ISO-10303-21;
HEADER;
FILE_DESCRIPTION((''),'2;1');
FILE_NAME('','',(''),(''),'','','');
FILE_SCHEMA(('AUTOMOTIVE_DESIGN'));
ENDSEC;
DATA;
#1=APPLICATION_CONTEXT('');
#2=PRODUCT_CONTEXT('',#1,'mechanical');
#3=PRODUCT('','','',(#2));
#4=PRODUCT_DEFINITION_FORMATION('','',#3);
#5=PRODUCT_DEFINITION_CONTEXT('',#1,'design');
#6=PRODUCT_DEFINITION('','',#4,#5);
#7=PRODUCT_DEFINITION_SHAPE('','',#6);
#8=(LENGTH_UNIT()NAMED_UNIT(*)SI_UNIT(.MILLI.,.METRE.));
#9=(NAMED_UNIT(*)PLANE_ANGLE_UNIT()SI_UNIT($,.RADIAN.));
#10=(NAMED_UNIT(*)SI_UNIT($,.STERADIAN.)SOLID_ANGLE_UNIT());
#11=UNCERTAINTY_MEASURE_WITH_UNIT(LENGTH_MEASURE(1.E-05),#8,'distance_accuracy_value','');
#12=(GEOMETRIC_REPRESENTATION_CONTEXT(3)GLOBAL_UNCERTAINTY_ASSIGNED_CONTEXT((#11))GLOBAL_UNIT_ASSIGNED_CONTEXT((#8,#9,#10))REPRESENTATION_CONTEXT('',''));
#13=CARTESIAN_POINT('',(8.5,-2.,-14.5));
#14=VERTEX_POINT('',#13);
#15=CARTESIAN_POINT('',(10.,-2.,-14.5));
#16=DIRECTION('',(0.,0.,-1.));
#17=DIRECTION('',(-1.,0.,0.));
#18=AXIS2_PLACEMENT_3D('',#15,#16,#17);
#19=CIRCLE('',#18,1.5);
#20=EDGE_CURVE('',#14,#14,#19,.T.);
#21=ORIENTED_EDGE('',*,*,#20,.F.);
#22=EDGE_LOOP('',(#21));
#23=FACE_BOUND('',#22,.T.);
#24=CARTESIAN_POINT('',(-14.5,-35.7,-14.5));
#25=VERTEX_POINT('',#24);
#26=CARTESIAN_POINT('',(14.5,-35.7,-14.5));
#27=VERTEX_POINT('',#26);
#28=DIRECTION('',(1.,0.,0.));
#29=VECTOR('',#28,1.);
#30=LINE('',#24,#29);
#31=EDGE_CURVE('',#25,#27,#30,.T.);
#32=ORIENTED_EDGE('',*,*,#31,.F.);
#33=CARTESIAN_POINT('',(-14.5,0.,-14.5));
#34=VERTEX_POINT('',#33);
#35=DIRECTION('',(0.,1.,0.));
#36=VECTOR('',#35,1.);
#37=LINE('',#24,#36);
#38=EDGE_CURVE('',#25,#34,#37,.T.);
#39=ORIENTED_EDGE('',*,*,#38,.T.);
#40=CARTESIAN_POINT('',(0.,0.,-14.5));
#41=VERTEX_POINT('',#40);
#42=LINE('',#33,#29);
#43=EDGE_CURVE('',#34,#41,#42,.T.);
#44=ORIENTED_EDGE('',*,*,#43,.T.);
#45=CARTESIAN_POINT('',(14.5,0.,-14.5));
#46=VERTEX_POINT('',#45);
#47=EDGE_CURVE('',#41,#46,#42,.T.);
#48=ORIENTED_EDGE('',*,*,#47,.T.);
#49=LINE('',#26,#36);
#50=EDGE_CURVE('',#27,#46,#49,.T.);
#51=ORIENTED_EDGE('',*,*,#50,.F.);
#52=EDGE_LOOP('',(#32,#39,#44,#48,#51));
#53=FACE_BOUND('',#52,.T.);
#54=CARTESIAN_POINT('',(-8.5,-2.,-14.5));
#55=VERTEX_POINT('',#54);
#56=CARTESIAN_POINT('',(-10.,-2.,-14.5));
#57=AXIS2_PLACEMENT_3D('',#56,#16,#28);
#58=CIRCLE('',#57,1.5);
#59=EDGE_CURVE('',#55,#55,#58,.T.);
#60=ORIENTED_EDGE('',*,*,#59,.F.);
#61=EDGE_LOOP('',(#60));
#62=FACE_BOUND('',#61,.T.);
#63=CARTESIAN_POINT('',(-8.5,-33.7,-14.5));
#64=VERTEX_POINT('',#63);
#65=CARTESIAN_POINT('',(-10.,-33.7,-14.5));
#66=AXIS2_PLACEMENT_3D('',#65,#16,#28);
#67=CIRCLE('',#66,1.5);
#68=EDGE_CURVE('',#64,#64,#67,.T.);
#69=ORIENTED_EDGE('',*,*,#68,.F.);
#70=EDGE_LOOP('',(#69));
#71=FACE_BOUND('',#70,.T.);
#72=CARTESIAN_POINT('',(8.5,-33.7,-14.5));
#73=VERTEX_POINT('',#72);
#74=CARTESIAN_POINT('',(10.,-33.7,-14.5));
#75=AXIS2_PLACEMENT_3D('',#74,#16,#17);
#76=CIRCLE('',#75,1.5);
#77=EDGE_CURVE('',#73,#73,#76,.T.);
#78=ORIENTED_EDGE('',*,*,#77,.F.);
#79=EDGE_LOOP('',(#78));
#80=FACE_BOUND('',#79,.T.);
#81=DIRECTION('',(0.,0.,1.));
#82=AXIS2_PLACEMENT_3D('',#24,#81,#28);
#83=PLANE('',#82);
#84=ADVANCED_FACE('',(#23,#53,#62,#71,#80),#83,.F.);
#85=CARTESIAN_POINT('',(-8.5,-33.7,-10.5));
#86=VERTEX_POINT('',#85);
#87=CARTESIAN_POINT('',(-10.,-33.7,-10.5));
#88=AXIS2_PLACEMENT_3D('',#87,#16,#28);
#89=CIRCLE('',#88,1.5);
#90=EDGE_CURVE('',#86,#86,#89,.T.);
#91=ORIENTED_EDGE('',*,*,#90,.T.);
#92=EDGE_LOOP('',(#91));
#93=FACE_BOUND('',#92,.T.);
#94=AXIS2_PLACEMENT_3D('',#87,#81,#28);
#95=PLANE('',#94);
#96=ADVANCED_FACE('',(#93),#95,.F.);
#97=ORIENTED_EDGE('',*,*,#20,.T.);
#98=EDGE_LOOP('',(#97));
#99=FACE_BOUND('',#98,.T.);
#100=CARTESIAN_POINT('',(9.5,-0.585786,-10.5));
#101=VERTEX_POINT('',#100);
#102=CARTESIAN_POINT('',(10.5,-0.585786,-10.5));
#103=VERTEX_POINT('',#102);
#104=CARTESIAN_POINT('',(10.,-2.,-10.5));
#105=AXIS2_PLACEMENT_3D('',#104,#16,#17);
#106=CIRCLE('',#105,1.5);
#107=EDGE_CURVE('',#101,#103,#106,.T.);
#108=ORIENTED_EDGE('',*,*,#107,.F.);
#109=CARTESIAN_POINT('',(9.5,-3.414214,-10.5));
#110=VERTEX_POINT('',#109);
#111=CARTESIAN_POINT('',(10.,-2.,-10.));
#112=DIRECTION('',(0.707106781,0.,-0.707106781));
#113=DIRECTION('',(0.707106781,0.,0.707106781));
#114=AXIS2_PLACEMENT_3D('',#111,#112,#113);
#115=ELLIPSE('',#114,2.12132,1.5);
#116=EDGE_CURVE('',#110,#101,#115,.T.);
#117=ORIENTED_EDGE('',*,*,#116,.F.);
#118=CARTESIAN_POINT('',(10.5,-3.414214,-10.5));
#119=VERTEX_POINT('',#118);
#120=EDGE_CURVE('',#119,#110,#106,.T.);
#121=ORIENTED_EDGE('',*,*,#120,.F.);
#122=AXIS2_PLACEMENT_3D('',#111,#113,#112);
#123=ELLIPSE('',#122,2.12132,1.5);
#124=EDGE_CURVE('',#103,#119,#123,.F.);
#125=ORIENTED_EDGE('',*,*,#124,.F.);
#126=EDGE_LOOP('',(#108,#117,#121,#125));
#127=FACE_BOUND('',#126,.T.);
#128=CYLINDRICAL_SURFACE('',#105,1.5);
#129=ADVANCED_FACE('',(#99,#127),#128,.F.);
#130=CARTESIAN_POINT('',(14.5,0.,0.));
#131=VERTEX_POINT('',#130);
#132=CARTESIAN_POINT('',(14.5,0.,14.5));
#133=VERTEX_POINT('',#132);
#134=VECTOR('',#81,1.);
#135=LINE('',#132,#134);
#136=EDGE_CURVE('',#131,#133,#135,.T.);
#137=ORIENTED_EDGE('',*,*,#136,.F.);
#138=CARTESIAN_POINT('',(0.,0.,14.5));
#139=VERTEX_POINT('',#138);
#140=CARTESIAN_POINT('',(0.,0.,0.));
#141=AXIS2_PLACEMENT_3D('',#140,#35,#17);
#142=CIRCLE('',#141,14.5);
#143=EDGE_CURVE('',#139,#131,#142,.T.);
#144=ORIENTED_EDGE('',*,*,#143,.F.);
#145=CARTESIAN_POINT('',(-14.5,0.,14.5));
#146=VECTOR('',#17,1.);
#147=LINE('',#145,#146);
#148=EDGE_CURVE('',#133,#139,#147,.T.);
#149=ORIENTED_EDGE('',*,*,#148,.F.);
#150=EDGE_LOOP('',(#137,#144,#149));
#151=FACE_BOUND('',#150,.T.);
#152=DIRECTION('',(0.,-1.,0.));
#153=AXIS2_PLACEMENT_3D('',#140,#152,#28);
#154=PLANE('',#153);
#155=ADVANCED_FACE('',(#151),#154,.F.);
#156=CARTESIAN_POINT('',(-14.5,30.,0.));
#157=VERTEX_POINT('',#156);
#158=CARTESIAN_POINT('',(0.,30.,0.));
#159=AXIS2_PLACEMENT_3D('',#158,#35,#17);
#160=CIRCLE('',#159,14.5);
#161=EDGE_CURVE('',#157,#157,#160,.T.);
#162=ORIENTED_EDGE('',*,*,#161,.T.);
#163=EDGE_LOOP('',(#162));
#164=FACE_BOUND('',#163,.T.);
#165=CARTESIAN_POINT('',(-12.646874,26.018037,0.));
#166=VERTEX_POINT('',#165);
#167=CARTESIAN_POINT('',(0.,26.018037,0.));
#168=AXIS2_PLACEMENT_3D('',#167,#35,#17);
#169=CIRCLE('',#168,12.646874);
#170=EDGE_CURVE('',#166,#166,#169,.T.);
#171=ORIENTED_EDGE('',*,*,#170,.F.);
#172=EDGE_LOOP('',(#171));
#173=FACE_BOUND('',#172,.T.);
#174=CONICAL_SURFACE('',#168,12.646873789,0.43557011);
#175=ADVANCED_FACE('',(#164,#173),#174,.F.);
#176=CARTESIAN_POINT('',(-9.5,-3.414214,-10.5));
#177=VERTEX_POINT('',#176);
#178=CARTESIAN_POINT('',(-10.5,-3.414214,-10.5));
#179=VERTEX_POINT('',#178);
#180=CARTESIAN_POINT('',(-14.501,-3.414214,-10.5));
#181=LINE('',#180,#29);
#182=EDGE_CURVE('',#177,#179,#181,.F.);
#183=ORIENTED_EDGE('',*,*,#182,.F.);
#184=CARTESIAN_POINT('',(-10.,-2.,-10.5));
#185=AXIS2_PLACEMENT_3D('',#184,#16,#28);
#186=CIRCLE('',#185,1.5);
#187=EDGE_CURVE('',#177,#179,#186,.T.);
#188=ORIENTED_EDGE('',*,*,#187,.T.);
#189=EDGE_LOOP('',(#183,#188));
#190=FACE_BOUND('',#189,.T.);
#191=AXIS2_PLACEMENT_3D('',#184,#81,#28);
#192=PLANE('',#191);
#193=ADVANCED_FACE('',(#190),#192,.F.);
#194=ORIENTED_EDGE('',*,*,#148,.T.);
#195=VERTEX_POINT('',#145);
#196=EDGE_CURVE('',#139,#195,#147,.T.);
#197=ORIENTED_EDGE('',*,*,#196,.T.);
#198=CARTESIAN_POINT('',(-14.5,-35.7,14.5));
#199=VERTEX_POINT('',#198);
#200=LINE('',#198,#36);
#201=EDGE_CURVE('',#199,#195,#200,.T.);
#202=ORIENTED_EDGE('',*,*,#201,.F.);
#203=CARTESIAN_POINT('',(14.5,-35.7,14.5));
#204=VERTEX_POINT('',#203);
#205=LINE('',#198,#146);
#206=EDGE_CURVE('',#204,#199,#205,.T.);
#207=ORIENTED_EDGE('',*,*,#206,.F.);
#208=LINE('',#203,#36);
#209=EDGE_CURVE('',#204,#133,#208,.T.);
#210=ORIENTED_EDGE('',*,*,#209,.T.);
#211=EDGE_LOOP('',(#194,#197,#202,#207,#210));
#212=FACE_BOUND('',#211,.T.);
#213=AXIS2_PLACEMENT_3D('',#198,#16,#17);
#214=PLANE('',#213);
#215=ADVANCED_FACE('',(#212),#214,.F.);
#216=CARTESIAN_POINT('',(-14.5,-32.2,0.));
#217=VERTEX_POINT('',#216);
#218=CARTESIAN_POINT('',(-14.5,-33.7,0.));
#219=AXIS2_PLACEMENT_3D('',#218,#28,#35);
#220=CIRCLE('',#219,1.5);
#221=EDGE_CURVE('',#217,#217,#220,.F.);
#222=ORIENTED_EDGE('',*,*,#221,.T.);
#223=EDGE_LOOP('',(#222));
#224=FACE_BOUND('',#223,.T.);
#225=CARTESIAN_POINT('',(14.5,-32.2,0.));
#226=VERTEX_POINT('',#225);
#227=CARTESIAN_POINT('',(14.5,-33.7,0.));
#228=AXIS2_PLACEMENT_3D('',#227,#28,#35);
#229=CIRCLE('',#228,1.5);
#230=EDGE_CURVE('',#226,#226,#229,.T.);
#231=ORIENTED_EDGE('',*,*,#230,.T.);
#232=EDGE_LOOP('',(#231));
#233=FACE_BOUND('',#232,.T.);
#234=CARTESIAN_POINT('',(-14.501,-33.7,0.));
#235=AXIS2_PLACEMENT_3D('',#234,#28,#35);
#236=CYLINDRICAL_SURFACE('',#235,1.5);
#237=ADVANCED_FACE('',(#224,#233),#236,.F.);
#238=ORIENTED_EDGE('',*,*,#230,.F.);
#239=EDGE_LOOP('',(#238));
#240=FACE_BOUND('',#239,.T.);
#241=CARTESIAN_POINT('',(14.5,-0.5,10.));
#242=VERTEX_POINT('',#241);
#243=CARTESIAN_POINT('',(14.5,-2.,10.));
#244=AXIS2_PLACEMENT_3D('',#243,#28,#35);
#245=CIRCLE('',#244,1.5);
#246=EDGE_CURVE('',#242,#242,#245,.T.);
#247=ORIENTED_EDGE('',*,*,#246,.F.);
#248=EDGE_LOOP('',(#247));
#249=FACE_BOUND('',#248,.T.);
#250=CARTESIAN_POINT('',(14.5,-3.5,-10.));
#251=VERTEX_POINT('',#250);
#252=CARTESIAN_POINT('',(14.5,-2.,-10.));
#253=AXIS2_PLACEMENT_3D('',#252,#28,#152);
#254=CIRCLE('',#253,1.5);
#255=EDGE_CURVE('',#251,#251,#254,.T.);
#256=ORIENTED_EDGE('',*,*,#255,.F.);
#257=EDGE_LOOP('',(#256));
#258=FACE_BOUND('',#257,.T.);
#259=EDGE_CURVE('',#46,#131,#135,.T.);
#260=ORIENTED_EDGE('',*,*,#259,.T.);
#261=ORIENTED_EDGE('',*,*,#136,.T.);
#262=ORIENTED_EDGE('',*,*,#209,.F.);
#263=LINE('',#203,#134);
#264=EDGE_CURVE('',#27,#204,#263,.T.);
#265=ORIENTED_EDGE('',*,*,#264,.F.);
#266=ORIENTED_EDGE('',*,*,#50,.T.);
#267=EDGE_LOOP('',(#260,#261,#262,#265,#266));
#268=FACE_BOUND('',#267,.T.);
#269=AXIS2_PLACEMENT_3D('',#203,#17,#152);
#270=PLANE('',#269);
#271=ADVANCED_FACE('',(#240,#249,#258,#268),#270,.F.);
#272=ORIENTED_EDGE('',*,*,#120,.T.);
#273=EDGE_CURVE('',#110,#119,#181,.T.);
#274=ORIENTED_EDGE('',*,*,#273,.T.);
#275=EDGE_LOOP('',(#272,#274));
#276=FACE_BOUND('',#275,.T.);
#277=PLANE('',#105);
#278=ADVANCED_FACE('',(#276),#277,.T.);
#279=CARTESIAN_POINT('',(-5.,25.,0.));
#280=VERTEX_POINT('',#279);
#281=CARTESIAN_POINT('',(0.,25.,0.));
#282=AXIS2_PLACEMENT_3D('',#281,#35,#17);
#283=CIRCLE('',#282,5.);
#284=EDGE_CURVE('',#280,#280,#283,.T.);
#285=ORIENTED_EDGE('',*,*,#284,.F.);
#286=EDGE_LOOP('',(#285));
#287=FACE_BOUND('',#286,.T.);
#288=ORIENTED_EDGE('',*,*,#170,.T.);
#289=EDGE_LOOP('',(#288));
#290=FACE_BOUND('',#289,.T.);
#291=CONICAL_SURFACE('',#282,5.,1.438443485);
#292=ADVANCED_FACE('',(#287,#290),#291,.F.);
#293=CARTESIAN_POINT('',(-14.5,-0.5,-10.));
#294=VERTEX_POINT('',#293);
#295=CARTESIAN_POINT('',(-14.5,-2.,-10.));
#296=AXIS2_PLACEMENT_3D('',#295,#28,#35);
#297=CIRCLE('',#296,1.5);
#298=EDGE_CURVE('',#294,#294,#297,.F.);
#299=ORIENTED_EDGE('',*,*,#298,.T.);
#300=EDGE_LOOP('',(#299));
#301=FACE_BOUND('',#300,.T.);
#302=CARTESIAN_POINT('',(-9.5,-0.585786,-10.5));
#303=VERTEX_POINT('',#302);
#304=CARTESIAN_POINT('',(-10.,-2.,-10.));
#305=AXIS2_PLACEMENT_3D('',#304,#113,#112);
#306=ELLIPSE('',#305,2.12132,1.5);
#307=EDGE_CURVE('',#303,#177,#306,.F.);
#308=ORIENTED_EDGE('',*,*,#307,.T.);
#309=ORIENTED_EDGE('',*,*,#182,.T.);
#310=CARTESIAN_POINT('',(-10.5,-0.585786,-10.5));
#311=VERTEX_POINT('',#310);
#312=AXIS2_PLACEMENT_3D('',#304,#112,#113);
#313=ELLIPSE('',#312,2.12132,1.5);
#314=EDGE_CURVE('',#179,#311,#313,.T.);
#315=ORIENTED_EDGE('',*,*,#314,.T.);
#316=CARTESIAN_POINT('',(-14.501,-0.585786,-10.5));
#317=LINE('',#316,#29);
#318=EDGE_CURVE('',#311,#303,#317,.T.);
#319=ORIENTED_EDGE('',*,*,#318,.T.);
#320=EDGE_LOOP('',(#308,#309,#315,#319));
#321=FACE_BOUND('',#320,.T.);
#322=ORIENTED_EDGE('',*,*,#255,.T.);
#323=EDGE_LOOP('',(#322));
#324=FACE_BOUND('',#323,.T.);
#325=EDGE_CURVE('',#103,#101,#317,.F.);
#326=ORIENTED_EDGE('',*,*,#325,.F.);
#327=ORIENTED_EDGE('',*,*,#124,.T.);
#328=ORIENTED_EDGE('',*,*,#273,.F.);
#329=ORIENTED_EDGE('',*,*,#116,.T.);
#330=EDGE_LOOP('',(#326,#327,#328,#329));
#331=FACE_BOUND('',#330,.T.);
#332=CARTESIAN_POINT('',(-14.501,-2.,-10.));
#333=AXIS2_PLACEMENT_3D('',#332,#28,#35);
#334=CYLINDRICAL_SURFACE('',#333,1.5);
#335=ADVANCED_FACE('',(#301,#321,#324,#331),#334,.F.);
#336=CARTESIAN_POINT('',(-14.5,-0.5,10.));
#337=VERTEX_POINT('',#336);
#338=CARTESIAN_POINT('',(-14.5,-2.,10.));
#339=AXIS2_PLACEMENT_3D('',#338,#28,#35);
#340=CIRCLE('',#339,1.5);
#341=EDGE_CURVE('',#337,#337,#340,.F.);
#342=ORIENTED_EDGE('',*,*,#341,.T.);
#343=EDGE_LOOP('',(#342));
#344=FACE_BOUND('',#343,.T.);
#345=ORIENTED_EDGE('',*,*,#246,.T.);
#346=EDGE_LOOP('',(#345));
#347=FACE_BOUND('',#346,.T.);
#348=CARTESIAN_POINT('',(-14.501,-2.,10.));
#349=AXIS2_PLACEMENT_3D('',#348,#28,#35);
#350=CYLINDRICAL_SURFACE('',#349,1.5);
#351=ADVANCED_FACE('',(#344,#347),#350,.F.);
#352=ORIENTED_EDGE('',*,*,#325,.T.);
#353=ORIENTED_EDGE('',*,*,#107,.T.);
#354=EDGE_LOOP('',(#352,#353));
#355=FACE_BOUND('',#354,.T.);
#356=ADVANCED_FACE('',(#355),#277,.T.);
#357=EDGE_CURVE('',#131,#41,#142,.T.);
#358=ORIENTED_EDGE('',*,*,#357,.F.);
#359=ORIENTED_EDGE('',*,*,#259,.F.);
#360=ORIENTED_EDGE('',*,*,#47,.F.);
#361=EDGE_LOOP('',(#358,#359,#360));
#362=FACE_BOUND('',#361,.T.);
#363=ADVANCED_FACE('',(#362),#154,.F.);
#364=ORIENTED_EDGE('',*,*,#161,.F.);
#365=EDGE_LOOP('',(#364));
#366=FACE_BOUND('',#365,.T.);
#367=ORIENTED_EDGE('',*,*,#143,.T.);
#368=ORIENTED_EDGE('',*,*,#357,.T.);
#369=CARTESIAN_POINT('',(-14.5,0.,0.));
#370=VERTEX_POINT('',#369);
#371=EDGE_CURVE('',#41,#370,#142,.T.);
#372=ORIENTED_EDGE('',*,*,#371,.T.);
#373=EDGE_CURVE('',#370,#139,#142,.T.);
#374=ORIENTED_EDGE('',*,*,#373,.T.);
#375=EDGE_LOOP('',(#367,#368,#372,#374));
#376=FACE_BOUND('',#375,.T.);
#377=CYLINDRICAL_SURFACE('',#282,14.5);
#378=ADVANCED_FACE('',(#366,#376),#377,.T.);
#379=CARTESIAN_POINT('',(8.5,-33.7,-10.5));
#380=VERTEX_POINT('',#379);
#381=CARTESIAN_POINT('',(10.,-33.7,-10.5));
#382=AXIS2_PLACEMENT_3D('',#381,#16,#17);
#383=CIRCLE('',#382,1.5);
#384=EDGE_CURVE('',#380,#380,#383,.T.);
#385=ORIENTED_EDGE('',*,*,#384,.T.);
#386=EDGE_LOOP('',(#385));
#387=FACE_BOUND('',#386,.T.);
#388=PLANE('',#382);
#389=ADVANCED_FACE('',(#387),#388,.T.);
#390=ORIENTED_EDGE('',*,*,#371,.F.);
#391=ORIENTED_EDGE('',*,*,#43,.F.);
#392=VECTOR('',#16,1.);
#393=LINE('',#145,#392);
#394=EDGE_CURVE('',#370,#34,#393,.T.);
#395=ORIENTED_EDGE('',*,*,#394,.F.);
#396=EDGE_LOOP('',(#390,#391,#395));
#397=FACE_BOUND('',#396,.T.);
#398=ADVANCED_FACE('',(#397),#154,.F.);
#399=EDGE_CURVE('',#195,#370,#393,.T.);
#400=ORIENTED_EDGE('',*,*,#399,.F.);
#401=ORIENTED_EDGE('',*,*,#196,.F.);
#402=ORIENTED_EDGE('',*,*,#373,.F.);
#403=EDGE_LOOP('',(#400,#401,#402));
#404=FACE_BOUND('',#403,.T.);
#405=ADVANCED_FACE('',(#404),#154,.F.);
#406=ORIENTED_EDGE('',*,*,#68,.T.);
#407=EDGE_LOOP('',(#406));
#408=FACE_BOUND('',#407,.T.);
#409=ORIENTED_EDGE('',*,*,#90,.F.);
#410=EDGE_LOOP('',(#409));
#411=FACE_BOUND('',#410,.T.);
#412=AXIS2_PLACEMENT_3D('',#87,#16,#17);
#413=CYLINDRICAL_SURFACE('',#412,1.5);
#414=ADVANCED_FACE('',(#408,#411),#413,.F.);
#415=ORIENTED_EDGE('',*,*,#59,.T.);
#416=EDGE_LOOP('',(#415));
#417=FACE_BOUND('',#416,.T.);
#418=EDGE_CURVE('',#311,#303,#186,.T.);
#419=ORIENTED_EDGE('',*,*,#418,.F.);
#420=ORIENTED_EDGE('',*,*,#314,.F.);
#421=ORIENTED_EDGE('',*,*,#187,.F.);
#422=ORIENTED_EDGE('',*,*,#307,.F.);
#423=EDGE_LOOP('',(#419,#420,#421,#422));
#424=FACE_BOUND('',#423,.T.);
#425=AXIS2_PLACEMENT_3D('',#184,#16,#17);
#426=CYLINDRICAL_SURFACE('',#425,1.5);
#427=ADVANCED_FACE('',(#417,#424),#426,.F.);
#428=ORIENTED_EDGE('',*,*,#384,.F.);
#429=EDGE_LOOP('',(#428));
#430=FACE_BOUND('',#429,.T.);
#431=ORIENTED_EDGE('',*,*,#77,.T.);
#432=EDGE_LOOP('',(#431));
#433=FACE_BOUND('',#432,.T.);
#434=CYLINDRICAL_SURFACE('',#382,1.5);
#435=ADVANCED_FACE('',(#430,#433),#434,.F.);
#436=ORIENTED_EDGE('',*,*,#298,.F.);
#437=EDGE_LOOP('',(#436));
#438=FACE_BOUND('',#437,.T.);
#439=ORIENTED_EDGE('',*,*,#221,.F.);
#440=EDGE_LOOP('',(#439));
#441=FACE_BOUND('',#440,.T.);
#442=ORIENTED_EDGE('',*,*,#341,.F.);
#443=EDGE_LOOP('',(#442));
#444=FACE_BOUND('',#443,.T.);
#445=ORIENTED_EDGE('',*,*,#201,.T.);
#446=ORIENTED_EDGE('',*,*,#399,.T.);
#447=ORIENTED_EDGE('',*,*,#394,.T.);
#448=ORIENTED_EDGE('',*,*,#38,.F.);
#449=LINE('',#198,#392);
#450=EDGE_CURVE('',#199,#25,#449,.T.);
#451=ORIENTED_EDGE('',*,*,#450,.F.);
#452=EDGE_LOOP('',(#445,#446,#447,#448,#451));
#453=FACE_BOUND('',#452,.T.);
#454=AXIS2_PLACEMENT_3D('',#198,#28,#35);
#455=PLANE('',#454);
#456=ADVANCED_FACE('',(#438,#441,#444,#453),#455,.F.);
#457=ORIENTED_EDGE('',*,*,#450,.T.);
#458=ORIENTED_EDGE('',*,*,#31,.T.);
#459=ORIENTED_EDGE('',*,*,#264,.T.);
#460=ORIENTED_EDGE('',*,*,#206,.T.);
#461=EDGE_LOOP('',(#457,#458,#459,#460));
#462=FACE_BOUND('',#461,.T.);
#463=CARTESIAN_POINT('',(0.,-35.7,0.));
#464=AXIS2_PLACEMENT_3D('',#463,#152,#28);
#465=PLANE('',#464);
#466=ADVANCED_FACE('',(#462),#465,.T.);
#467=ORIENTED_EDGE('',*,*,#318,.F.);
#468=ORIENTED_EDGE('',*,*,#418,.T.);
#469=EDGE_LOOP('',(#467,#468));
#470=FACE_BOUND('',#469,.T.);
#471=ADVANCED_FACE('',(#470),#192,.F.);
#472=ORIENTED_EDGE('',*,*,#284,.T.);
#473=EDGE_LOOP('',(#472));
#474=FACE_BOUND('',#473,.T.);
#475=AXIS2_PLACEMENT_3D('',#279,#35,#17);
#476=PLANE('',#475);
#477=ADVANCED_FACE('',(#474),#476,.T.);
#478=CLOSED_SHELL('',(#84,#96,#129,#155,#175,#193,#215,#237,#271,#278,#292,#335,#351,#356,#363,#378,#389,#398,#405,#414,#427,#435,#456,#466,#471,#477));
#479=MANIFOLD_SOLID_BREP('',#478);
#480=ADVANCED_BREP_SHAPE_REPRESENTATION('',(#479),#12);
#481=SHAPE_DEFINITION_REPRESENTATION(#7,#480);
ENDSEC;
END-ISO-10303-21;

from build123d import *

# Parameters (mm, degrees)
SKETCH_2_W          = 29
SKETCH_2_H          = 29
EXTRUDE_1_DEPTH     = 35.7
SKETCH_3_R          = 1.5
CUT_EXTRUDE_1_DEPTH = 4
CUT_EXTRUDE_2_REACH = 50.226
SKETCH_4_R          = 1.5


with BuildPart() as part:
    # 草图1 → 旋转1 (revolve)
    with BuildSketch(Plane.XY):
        Polygon((0, 0), (-14.5, 0), (-14.5, 30), (-12.646873789, 26.018036841), (-5, 25), (0, 25), align=None)
    revolve(axis=Axis((0, 25, 0), (0, -1, 0)))

    # 草图2 → 凸台-拉伸1 (add)
    with BuildSketch(Plane.XZ):
        Rectangle(SKETCH_2_W, SKETCH_2_H)
    extrude(amount=EXTRUDE_1_DEPTH)

    # 草图3 → 切除-拉伸1 (cut)
    with BuildSketch(Plane(origin=(0, 0, -14.5), x_dir=(-1, 0, 0), z_dir=(0, 0, -1))):
        with Locations((-10, -2)):
            Circle(SKETCH_3_R)
        with Locations((-10, -33.7)):
            Circle(SKETCH_3_R)
        with Locations(Location((10, -33.7, 0), (0, 0, 180))):
            Circle(SKETCH_3_R)
        with Locations(Location((10, -2, 0), (0, 0, 180))):
            Circle(SKETCH_3_R)
    extrude(amount=-CUT_EXTRUDE_1_DEPTH, mode=Mode.SUBTRACT)

    # 草图4 → 切除-拉伸2 (cut, up to next)
    with BuildSketch(Plane(origin=(14.5, 0, 0), x_dir=(0, 0, -1), z_dir=(1, 0, 0)), mode=Mode.PRIVATE) as cut_extrude_2_sk1:
        with Locations(Location((-10, -2, 0), (0, 0, 90))):
            Circle(SKETCH_4_R)
    cut_extrude_2_tool1 = extrude(cut_extrude_2_sk1.sketch, amount=-CUT_EXTRUDE_2_REACH, mode=Mode.PRIVATE) & part.part
    # 草图4 → 切除-拉伸2 (cut, up to next)
    with BuildSketch(Plane(origin=(14.5, 0, 0), x_dir=(0, 0, -1), z_dir=(1, 0, 0)), mode=Mode.PRIVATE) as cut_extrude_2_sk2:
        with Locations(Location((0, -33.7, 0), (0, 0, 90))):
            Circle(SKETCH_4_R)
    cut_extrude_2_tool2 = extrude(cut_extrude_2_sk2.sketch, amount=-CUT_EXTRUDE_2_REACH, mode=Mode.PRIVATE) & part.part
    # 草图4 → 切除-拉伸2 (cut, up to next)
    with BuildSketch(Plane(origin=(14.5, 0, 0), x_dir=(0, 0, -1), z_dir=(1, 0, 0)), mode=Mode.PRIVATE) as cut_extrude_2_sk3:
        with Locations(Location((10, -2, 0), (0, 0, 90))):
            Circle(SKETCH_4_R)
    cut_extrude_2_tool3 = extrude(cut_extrude_2_sk3.sketch, amount=-CUT_EXTRUDE_2_REACH, mode=Mode.PRIVATE) & part.part
    add(cut_extrude_2_tool1.solids().sort_by_distance((14.5, -2, 10))[0], mode=Mode.SUBTRACT)
    add(cut_extrude_2_tool2.solids().sort_by_distance((14.5, -33.7, 0))[0], mode=Mode.SUBTRACT)
    add(cut_extrude_2_tool3.solids().sort_by_distance((14.5, -2, -10))[0], mode=Mode.SUBTRACT)


solid = part.part
